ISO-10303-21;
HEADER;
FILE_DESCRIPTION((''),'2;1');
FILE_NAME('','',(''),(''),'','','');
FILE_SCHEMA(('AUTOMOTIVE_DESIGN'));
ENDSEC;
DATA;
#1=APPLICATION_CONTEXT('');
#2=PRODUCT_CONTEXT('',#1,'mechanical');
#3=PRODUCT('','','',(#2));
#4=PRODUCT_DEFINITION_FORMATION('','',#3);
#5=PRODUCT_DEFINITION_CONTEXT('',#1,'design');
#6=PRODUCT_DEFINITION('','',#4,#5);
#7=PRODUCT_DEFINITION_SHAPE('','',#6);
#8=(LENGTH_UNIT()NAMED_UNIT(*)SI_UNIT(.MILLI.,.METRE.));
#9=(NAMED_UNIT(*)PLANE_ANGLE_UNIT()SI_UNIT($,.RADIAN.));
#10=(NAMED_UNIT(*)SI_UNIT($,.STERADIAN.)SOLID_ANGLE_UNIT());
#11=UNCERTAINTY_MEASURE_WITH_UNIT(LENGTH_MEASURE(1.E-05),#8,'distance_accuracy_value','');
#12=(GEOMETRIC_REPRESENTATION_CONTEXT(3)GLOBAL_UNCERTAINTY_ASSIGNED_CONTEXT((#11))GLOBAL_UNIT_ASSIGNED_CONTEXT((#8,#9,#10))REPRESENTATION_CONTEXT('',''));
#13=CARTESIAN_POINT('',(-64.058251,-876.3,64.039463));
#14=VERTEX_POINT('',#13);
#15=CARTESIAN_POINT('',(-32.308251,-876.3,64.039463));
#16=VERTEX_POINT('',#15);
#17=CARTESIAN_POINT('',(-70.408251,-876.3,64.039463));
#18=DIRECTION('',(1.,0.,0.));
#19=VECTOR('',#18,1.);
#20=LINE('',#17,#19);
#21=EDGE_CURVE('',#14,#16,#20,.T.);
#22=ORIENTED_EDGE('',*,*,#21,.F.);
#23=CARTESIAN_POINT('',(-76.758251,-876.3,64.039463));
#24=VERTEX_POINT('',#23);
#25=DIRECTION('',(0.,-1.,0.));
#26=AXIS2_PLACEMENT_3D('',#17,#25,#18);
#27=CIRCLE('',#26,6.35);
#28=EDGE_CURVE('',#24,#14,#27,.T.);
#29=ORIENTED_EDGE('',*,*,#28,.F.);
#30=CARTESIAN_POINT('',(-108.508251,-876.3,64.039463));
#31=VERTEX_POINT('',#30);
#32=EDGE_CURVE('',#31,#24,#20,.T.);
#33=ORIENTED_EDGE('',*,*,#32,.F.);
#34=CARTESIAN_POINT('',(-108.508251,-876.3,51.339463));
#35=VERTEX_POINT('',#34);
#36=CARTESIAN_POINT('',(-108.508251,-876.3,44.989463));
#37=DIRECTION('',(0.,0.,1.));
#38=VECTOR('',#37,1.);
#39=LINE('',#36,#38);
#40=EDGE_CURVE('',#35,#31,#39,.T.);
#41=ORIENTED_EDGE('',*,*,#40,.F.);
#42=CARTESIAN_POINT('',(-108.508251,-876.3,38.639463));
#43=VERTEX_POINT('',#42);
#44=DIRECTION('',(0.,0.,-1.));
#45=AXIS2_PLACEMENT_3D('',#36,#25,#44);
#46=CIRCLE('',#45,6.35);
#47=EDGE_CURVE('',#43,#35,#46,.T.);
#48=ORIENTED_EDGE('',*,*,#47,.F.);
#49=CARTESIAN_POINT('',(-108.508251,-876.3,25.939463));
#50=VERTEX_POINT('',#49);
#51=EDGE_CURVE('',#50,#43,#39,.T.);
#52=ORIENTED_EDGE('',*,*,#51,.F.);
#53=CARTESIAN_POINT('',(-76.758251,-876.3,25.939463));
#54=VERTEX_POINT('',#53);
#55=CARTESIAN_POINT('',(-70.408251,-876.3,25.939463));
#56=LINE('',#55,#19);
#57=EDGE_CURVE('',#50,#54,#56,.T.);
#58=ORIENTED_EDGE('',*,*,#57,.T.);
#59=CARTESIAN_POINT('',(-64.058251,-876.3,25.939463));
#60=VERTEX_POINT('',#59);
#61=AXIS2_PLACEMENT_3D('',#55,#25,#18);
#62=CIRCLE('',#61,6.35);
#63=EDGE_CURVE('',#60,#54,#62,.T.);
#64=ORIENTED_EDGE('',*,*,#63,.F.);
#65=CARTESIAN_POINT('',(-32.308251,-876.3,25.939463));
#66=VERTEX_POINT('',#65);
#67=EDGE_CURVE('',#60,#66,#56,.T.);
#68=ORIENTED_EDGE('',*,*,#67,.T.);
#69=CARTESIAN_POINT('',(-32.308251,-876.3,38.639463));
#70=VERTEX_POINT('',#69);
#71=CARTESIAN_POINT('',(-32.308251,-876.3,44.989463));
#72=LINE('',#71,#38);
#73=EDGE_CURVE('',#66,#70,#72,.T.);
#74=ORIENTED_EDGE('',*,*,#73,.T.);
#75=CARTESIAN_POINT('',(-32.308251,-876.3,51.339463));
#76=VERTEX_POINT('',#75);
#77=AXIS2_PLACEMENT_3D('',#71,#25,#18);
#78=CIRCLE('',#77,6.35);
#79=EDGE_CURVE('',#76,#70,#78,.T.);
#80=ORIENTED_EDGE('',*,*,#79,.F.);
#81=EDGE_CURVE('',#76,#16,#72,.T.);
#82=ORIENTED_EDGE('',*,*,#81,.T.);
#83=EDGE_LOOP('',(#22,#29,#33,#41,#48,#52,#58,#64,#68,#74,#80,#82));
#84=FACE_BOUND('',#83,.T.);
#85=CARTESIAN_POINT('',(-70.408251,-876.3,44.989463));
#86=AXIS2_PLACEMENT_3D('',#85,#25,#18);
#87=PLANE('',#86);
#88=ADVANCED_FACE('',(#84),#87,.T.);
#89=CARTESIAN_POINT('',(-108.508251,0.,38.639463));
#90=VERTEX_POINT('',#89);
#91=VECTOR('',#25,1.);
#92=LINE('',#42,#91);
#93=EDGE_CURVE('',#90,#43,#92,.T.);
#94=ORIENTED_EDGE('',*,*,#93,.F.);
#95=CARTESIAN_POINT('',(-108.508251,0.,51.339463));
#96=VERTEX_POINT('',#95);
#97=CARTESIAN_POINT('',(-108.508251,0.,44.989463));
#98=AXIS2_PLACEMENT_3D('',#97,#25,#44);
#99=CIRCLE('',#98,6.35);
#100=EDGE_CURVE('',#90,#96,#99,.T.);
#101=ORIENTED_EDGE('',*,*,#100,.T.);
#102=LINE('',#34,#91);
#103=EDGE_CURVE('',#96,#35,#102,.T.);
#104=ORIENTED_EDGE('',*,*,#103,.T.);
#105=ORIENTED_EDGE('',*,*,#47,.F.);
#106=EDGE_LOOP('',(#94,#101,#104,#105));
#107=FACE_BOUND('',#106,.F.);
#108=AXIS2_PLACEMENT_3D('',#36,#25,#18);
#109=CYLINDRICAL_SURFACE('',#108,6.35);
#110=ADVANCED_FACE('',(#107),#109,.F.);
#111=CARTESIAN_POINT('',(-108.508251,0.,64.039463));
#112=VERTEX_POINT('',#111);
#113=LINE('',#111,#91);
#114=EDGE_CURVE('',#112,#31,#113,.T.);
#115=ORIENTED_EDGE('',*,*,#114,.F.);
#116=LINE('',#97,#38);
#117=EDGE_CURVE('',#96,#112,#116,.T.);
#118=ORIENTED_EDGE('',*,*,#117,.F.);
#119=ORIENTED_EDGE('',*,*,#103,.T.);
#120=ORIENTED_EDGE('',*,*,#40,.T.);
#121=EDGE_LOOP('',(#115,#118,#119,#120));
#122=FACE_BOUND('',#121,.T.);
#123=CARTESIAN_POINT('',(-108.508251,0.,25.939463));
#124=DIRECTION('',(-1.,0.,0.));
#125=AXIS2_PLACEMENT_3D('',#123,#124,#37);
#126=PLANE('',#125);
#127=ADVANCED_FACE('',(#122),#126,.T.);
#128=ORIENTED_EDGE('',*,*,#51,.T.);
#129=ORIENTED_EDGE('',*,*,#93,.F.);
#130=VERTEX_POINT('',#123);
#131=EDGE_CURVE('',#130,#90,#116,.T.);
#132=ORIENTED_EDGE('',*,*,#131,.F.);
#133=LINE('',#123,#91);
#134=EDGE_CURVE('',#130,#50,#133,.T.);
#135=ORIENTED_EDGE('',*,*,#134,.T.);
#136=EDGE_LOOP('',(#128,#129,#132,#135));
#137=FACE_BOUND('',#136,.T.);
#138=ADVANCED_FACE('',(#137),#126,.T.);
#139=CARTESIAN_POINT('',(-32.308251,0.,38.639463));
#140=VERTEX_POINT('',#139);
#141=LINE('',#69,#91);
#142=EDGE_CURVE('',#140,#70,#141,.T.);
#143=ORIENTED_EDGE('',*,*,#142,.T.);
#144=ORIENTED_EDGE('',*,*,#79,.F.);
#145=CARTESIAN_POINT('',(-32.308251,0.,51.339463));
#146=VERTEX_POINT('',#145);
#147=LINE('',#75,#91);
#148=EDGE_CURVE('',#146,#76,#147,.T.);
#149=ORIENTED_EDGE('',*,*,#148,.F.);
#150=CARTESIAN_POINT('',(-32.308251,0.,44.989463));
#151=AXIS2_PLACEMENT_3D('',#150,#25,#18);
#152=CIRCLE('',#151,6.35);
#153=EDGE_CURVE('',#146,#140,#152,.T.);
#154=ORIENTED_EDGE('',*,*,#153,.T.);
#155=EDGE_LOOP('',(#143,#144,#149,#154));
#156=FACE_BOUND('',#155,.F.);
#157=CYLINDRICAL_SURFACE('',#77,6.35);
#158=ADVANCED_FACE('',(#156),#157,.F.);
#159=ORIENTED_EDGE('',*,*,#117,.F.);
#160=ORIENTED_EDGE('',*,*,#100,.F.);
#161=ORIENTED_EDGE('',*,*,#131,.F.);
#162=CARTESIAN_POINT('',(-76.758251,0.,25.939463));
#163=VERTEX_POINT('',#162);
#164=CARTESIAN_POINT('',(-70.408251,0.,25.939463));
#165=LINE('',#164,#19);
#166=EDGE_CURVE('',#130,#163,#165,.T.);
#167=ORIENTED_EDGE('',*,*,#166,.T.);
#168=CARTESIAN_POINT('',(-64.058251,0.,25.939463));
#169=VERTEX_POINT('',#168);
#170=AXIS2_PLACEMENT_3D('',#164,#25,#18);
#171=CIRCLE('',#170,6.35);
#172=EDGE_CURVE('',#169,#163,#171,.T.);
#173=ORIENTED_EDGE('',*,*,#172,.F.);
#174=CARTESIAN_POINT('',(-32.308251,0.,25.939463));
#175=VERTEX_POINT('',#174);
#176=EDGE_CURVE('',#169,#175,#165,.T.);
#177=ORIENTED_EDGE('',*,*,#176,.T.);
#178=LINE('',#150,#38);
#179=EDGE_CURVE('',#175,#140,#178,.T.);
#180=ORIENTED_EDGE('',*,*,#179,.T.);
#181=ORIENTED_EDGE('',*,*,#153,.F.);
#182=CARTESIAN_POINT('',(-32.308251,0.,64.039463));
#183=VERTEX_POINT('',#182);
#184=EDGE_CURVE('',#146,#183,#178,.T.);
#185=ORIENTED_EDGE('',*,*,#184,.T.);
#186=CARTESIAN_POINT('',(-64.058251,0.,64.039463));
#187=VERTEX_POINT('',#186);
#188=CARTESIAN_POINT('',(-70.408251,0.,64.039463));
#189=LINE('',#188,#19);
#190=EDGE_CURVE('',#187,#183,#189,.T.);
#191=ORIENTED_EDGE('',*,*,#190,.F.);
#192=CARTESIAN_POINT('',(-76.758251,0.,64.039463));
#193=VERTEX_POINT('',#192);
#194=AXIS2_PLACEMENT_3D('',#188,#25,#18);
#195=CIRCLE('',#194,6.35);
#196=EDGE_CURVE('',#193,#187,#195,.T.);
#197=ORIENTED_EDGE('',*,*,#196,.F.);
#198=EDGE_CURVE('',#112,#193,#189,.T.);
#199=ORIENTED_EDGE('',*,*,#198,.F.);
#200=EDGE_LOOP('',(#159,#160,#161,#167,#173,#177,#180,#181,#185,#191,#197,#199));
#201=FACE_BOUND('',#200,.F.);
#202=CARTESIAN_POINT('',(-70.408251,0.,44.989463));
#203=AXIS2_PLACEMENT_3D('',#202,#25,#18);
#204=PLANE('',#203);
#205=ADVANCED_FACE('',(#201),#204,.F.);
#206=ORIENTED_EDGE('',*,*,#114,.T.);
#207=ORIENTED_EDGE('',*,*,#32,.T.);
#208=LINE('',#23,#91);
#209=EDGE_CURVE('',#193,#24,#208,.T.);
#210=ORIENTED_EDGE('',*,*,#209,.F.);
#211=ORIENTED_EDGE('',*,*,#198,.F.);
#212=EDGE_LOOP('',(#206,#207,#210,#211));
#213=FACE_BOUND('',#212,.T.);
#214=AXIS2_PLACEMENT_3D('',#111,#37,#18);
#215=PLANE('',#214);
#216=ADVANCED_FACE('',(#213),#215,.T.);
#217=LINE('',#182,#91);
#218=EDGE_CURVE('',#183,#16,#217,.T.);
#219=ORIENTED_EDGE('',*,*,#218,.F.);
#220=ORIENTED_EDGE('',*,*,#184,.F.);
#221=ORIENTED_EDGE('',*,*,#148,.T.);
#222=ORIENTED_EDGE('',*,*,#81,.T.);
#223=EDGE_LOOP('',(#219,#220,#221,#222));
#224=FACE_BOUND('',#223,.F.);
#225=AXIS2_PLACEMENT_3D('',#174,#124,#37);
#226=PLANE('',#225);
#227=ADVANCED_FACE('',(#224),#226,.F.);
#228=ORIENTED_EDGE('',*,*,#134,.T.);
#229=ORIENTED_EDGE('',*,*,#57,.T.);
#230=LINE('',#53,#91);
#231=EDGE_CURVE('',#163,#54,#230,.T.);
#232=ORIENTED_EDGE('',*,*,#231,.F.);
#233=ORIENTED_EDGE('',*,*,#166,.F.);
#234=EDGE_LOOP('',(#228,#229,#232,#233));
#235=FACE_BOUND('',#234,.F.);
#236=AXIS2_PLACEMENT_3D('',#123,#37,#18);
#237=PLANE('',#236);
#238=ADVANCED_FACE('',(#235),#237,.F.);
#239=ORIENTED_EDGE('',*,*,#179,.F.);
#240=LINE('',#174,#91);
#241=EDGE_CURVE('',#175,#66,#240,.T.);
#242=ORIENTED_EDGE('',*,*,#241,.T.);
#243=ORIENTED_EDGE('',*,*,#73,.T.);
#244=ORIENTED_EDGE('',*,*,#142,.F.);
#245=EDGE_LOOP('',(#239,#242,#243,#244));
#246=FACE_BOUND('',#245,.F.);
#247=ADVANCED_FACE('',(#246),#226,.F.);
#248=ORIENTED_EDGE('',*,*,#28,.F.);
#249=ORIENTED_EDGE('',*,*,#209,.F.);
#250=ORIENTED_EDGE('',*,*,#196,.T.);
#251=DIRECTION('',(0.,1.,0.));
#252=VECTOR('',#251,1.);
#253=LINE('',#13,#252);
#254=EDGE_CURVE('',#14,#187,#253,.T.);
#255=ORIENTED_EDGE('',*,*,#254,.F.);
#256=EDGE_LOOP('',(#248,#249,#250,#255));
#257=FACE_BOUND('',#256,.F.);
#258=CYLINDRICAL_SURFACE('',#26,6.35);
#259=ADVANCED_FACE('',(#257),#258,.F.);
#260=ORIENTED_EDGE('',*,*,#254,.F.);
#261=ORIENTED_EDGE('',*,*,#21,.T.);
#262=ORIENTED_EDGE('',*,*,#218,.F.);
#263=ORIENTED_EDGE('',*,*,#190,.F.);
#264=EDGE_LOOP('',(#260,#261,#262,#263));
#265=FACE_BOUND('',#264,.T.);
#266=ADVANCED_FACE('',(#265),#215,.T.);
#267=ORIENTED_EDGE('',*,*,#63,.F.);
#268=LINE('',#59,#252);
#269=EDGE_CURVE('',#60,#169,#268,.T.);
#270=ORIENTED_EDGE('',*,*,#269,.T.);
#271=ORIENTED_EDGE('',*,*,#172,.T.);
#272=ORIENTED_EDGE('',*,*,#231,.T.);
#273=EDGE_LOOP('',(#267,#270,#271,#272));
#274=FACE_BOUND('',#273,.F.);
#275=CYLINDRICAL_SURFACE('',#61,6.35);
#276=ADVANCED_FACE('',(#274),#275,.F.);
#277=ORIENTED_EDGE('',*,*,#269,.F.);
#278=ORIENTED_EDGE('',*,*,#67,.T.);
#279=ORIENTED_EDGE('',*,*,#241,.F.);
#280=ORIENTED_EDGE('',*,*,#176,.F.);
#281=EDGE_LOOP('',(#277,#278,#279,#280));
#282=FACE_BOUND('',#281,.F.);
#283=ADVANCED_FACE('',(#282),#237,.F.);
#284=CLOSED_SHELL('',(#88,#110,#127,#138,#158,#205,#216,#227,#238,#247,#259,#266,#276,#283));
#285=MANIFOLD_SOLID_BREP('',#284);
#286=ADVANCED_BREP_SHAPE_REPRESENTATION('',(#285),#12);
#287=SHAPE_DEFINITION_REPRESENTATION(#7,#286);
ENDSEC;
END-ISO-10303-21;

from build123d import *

# Parameters (mm, degrees)
F0_W     = 76.2
F0_H     = 38.1
F1_DEPTH = 876.3
F2_R     = 6.35
F3_DEPTH = 876.3
F4_R     = 6.35
F5_DEPTH = 876.3


with BuildPart() as f1:
    # F0 (on Front) → F1 (new body)
    with BuildSketch(Plane.XZ):
        with Locations((-70.408251, 44.989463)):
            Rectangle(F0_W, F0_H)
    extrude(amount=F1_DEPTH)

    # F2 (on face) → F3 (cut)
    with BuildSketch(Plane.XZ.offset(876.3)):
        with Locations((-70.408251, 64.039463)):
            Circle(F2_R)
    extrude(amount=-F3_DEPTH, mode=Mode.SUBTRACT)

    # F4 (on face) → F5 (cut)
    with BuildSketch(Plane.XZ.offset(876.3)):
        with Locations((-32.308251, 44.989463)):
            Circle(F4_R)
        with Locations((-108.508251, 44.989463)):
            Circle(F4_R)
        with Locations((-70.408251, 25.939463)):
            Circle(F4_R)
    extrude(amount=-F5_DEPTH, mode=Mode.SUBTRACT)


solid = f1.part
